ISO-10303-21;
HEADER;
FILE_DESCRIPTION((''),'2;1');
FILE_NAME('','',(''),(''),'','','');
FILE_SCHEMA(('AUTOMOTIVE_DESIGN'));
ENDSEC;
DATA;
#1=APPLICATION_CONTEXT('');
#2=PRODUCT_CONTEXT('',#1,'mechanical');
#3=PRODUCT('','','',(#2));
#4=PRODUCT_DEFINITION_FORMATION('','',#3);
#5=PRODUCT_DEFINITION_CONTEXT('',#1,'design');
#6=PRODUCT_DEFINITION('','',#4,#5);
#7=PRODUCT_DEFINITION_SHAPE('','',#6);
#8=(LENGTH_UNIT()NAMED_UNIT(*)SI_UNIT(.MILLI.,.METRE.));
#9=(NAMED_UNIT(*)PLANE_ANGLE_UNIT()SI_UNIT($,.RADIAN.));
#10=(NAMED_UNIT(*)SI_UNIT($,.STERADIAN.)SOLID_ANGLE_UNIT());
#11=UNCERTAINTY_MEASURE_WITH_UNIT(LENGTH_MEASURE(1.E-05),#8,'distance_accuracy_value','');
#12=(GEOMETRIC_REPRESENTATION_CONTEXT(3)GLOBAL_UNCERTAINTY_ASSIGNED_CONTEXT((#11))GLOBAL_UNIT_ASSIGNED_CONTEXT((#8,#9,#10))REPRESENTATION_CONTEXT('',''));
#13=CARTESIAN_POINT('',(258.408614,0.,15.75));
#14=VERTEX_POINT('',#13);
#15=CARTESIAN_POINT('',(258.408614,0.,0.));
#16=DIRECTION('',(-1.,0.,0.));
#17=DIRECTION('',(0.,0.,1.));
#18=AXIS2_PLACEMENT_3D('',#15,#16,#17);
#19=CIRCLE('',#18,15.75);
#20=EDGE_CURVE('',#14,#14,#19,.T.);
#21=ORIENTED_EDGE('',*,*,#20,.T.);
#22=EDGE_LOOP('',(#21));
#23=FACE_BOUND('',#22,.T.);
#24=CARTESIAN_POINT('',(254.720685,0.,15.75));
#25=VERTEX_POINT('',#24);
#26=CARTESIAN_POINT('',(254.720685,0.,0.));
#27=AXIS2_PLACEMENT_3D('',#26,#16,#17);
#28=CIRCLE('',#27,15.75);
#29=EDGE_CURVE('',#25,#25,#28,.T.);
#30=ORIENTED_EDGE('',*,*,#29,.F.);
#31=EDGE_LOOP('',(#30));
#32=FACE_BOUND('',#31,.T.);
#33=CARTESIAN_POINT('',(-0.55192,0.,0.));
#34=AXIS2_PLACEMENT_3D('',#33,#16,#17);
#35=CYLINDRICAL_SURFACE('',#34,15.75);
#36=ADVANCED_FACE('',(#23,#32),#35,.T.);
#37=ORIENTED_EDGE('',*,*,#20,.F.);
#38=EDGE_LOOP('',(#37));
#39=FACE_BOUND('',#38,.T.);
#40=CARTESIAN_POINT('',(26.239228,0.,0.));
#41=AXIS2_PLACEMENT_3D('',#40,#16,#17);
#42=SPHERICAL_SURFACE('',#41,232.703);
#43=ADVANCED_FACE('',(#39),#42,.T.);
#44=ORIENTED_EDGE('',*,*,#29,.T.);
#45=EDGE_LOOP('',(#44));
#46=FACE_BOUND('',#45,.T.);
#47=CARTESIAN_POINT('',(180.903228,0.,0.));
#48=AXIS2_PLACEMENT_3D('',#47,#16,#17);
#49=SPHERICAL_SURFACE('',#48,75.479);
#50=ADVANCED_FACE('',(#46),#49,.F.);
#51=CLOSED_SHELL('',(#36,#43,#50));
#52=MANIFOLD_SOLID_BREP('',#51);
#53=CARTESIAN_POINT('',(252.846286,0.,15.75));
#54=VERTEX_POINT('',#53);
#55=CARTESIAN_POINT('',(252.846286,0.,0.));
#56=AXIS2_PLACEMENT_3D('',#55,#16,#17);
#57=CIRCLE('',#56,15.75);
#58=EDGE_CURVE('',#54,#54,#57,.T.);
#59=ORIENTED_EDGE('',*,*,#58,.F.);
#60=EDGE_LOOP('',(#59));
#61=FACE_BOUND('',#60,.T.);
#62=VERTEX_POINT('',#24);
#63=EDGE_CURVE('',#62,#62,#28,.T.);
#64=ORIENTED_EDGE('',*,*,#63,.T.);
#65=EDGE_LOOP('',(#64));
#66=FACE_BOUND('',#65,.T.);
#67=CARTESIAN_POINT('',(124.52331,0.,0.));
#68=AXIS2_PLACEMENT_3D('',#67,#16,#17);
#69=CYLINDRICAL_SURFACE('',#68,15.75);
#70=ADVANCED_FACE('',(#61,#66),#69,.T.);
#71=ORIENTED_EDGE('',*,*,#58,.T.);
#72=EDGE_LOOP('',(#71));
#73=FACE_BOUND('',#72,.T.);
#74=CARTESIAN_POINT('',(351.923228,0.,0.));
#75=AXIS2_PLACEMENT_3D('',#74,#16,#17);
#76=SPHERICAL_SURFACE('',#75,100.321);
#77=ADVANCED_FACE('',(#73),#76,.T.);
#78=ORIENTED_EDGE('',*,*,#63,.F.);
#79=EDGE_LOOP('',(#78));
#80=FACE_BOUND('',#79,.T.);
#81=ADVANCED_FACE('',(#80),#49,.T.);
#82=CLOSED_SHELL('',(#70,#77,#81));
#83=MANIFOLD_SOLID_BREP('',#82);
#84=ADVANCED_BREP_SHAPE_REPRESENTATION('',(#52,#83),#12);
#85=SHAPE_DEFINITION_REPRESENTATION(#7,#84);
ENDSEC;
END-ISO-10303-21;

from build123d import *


with BuildPart() as part:
    # 草图1 one side → 旋转1 (revolve)
    with BuildSketch(Plane(origin=(0, 0, 0), x_dir=(1, 0, 0), z_dir=(0, 1, 0)), mode=Mode.PRIVATE) as revolve_1_sk:
        with BuildLine():
            ThreePointArc((252.846285657, 15.75), (251.913726157, 7.899528134), (251.602228187, 0))
            Line((251.602228187, 0), (256.382228187, 0))
            ThreePointArc((256.382228187, 0), (255.965693072, 7.918699791), (254.720685072, 15.75))
            Line((254.720685072, 15.75), (252.846285657, 15.75))
        make_face()
    revolve(revolve_1_sk.sketch.rotate(Axis((124.523309526, 0, 0), (1, 0, 0)), 180), axis=Axis((124.523309526, 0, 0), (1, 0, 0)))  # turned: the seam where the file's is


with BuildPart() as body_2:
    # 草图2 one side → 旋转3 (revolve)
    with BuildSketch(Plane(origin=(0, 0, 0), x_dir=(1, 0, 0), z_dir=(0, 1, 0)), mode=Mode.PRIVATE) as revolve_3_sk:
        with BuildLine():
            Line((258.408614, 15.75), (254.720685072, 15.75))
            ThreePointArc((254.720685072, 15.75), (255.965693072, 7.918699791), (256.382228187, 0))
            Line((256.382228187, 0), (258.942228187, 0))
            ThreePointArc((258.942228187, 0), (258.80878638, 7.879518451), (258.408614, 15.75))
        make_face()
    revolve(revolve_3_sk.sketch.rotate(Axis((-0.551919993, 0, 0), (1, 0, 0)), 180), axis=Axis((-0.551919993, 0, 0), (1, 0, 0)))  # turned: the seam where the file's is


solid = Compound([part.part, body_2.part])
